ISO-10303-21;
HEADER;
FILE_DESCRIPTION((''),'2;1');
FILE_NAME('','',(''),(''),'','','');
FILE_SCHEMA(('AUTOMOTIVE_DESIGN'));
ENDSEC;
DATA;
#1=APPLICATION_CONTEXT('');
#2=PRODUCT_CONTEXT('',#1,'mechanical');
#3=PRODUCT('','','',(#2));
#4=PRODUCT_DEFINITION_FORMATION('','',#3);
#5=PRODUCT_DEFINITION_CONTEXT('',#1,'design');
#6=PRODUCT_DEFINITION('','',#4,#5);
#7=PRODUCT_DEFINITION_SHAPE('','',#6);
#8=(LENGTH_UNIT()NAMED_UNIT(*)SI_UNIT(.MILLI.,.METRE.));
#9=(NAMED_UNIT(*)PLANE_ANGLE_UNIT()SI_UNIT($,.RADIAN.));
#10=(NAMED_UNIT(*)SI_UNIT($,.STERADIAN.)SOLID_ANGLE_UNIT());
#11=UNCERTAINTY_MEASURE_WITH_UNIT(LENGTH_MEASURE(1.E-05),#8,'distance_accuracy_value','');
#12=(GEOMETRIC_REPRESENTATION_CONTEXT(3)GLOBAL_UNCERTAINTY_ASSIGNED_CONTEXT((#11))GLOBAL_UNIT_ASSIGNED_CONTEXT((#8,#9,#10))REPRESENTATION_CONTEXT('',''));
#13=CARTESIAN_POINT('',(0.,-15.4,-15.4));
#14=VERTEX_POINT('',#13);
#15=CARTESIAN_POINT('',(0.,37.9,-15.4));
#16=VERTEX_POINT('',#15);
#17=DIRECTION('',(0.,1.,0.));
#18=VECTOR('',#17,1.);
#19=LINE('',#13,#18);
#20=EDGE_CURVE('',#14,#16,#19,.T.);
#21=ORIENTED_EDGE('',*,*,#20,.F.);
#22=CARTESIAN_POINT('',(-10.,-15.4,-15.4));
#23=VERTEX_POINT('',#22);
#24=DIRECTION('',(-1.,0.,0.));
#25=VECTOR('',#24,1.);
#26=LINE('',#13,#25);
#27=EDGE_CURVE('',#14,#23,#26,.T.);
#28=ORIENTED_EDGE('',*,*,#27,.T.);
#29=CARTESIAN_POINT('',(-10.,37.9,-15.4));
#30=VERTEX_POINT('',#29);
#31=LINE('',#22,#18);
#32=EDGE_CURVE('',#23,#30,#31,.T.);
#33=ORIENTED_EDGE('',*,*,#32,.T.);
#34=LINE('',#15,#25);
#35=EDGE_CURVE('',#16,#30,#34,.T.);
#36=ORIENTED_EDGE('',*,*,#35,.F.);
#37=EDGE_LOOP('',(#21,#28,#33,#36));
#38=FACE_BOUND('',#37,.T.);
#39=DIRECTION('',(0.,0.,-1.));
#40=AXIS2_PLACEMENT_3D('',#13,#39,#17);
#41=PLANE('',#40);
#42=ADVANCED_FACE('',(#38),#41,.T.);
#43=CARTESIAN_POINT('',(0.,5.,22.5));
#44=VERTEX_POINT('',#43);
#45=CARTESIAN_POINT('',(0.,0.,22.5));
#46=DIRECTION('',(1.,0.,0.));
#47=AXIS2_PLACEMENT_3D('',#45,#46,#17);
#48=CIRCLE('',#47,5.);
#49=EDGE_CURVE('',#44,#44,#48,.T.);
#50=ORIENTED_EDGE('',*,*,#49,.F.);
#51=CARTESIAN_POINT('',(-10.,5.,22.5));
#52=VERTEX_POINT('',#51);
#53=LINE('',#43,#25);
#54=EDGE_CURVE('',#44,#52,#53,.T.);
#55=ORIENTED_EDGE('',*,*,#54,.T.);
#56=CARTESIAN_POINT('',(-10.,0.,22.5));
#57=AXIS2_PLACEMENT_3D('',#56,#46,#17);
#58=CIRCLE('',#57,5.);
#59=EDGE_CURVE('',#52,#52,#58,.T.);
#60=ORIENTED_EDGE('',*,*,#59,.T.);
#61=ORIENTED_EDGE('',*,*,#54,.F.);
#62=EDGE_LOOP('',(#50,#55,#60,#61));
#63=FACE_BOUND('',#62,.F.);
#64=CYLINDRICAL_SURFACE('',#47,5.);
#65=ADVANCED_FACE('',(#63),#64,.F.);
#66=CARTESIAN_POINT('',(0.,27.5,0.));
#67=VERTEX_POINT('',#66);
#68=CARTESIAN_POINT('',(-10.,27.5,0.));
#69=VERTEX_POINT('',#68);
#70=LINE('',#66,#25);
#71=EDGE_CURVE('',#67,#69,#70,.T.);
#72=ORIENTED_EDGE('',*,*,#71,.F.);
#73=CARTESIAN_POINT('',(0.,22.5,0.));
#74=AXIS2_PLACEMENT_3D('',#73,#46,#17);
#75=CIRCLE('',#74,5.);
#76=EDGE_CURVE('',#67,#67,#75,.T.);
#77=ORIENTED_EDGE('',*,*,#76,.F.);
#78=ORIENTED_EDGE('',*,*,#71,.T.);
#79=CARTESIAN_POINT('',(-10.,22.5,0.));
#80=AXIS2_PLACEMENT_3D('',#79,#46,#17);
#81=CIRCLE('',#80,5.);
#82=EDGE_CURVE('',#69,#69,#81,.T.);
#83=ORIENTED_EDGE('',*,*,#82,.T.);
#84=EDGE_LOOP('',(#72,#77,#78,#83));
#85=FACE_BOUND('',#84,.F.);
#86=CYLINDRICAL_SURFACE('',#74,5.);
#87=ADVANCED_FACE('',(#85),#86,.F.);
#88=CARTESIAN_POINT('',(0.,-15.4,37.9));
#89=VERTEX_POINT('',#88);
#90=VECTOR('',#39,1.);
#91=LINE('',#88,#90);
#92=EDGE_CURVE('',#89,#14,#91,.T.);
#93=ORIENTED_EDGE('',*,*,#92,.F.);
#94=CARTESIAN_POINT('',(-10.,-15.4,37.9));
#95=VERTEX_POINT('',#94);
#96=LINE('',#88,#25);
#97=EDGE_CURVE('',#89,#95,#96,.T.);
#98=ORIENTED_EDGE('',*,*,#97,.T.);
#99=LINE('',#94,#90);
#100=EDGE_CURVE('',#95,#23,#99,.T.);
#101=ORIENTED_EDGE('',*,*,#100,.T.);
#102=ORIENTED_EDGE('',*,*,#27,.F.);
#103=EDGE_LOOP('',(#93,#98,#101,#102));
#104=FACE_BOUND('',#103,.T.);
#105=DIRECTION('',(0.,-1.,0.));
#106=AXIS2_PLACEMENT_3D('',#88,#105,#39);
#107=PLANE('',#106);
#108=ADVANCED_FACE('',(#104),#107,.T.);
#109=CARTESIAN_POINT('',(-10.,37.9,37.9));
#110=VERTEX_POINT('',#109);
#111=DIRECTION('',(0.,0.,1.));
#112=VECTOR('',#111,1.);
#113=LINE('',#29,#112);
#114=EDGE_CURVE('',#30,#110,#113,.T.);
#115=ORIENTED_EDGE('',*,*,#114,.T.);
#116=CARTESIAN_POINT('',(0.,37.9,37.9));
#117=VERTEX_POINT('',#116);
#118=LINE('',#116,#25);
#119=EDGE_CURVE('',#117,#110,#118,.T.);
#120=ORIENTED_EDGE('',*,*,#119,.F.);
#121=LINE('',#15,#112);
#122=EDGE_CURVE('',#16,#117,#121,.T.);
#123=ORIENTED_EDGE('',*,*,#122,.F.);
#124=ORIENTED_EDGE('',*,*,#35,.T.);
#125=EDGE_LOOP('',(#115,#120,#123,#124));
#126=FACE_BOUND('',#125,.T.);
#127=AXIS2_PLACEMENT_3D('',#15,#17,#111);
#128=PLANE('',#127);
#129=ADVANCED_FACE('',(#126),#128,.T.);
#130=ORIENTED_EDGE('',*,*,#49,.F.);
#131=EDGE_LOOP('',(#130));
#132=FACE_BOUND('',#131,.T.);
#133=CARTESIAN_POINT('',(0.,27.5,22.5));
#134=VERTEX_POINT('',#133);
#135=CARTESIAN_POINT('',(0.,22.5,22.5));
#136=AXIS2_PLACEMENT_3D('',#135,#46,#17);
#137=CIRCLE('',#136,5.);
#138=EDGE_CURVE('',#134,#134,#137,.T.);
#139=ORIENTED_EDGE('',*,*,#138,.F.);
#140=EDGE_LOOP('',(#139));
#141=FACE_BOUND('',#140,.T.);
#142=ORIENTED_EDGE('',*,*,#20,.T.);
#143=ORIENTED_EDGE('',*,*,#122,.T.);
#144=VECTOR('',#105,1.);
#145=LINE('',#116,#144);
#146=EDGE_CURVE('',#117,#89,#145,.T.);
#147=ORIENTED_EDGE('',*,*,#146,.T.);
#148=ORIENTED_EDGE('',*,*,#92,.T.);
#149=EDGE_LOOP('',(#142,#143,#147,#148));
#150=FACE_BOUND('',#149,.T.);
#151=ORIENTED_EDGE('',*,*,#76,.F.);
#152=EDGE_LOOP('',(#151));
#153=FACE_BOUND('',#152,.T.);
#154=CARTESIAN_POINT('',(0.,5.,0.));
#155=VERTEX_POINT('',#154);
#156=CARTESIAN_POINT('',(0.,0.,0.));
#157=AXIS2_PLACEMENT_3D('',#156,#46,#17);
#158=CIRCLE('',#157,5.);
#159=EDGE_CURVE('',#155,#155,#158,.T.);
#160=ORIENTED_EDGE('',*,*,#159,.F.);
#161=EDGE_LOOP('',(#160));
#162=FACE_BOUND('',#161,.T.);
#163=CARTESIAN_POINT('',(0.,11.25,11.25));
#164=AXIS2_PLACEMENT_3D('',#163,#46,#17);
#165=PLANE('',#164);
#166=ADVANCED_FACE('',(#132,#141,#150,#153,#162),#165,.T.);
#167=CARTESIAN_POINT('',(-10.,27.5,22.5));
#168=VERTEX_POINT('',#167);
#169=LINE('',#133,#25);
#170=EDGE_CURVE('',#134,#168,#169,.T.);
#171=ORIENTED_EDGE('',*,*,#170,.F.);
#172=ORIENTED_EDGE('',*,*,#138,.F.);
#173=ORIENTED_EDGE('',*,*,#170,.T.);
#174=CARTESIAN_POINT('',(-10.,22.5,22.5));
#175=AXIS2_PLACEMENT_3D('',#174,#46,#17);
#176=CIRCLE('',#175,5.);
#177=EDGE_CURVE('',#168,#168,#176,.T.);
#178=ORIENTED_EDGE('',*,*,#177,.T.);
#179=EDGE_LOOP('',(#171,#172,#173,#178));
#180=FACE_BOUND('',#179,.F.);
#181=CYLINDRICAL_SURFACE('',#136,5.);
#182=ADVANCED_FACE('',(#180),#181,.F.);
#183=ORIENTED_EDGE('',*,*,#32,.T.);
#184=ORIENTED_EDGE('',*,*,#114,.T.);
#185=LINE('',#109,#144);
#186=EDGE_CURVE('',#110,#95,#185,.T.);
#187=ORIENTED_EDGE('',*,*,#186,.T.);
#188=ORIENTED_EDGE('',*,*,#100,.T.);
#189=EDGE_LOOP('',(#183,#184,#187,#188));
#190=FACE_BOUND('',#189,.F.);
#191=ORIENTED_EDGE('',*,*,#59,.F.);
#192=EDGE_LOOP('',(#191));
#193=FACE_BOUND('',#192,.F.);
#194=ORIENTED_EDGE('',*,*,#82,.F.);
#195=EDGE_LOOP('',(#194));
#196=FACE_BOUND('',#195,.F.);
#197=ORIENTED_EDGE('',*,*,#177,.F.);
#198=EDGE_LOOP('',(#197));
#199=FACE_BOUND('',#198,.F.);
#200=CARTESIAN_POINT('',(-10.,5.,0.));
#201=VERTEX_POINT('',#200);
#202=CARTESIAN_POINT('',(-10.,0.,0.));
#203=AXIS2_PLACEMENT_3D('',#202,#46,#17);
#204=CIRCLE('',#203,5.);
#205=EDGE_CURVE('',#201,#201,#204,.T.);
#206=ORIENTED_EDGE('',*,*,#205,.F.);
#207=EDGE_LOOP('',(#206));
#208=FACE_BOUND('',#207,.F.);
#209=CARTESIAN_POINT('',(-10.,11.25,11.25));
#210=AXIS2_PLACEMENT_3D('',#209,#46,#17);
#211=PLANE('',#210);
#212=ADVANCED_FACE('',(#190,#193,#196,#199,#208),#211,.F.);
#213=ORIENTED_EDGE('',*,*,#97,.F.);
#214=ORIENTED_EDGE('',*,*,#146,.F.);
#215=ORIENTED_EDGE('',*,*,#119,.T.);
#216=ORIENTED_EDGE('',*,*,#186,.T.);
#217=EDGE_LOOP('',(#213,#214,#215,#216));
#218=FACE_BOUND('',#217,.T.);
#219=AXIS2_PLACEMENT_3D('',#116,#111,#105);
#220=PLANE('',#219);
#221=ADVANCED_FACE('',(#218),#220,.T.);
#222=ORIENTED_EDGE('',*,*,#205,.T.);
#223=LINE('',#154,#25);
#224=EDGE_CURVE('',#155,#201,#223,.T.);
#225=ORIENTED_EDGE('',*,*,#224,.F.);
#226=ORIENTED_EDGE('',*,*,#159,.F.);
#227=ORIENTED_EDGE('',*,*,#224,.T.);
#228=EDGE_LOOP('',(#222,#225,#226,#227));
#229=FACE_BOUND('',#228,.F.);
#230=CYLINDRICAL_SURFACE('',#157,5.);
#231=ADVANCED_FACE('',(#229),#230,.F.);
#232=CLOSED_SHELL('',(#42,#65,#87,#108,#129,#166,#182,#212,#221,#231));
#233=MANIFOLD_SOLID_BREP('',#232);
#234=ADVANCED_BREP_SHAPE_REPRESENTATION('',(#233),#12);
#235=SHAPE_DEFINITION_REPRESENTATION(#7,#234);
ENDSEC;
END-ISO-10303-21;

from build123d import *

# Parameters (mm, degrees)
F0_R     = 5
F1_DEPTH = 10


with BuildPart() as f1:
    # F0 (on Right) → F1 (new body)
    with BuildSketch(Plane.YZ):
        Polygon((22.5, 37.9), (0, 37.9), (-15.4, 37.9), (-15.4, 15), (-15.4, 7.5), (-15.4, -15.4), (0, -15.4), (22.5, -15.4), (37.9, -15.4), (37.9, 0), (37.9, 22.5), (37.9, 37.9), align=None)
        Circle(F0_R, mode=Mode.SUBTRACT)
        with Locations((22.5, 0)):
            Circle(F0_R, mode=Mode.SUBTRACT)
        with Locations((0, 22.5)):
            Circle(F0_R, mode=Mode.SUBTRACT)
        with Locations((22.5, 22.5)):
            Circle(F0_R, mode=Mode.SUBTRACT)
    extrude(amount=-F1_DEPTH)


solid = f1.part
